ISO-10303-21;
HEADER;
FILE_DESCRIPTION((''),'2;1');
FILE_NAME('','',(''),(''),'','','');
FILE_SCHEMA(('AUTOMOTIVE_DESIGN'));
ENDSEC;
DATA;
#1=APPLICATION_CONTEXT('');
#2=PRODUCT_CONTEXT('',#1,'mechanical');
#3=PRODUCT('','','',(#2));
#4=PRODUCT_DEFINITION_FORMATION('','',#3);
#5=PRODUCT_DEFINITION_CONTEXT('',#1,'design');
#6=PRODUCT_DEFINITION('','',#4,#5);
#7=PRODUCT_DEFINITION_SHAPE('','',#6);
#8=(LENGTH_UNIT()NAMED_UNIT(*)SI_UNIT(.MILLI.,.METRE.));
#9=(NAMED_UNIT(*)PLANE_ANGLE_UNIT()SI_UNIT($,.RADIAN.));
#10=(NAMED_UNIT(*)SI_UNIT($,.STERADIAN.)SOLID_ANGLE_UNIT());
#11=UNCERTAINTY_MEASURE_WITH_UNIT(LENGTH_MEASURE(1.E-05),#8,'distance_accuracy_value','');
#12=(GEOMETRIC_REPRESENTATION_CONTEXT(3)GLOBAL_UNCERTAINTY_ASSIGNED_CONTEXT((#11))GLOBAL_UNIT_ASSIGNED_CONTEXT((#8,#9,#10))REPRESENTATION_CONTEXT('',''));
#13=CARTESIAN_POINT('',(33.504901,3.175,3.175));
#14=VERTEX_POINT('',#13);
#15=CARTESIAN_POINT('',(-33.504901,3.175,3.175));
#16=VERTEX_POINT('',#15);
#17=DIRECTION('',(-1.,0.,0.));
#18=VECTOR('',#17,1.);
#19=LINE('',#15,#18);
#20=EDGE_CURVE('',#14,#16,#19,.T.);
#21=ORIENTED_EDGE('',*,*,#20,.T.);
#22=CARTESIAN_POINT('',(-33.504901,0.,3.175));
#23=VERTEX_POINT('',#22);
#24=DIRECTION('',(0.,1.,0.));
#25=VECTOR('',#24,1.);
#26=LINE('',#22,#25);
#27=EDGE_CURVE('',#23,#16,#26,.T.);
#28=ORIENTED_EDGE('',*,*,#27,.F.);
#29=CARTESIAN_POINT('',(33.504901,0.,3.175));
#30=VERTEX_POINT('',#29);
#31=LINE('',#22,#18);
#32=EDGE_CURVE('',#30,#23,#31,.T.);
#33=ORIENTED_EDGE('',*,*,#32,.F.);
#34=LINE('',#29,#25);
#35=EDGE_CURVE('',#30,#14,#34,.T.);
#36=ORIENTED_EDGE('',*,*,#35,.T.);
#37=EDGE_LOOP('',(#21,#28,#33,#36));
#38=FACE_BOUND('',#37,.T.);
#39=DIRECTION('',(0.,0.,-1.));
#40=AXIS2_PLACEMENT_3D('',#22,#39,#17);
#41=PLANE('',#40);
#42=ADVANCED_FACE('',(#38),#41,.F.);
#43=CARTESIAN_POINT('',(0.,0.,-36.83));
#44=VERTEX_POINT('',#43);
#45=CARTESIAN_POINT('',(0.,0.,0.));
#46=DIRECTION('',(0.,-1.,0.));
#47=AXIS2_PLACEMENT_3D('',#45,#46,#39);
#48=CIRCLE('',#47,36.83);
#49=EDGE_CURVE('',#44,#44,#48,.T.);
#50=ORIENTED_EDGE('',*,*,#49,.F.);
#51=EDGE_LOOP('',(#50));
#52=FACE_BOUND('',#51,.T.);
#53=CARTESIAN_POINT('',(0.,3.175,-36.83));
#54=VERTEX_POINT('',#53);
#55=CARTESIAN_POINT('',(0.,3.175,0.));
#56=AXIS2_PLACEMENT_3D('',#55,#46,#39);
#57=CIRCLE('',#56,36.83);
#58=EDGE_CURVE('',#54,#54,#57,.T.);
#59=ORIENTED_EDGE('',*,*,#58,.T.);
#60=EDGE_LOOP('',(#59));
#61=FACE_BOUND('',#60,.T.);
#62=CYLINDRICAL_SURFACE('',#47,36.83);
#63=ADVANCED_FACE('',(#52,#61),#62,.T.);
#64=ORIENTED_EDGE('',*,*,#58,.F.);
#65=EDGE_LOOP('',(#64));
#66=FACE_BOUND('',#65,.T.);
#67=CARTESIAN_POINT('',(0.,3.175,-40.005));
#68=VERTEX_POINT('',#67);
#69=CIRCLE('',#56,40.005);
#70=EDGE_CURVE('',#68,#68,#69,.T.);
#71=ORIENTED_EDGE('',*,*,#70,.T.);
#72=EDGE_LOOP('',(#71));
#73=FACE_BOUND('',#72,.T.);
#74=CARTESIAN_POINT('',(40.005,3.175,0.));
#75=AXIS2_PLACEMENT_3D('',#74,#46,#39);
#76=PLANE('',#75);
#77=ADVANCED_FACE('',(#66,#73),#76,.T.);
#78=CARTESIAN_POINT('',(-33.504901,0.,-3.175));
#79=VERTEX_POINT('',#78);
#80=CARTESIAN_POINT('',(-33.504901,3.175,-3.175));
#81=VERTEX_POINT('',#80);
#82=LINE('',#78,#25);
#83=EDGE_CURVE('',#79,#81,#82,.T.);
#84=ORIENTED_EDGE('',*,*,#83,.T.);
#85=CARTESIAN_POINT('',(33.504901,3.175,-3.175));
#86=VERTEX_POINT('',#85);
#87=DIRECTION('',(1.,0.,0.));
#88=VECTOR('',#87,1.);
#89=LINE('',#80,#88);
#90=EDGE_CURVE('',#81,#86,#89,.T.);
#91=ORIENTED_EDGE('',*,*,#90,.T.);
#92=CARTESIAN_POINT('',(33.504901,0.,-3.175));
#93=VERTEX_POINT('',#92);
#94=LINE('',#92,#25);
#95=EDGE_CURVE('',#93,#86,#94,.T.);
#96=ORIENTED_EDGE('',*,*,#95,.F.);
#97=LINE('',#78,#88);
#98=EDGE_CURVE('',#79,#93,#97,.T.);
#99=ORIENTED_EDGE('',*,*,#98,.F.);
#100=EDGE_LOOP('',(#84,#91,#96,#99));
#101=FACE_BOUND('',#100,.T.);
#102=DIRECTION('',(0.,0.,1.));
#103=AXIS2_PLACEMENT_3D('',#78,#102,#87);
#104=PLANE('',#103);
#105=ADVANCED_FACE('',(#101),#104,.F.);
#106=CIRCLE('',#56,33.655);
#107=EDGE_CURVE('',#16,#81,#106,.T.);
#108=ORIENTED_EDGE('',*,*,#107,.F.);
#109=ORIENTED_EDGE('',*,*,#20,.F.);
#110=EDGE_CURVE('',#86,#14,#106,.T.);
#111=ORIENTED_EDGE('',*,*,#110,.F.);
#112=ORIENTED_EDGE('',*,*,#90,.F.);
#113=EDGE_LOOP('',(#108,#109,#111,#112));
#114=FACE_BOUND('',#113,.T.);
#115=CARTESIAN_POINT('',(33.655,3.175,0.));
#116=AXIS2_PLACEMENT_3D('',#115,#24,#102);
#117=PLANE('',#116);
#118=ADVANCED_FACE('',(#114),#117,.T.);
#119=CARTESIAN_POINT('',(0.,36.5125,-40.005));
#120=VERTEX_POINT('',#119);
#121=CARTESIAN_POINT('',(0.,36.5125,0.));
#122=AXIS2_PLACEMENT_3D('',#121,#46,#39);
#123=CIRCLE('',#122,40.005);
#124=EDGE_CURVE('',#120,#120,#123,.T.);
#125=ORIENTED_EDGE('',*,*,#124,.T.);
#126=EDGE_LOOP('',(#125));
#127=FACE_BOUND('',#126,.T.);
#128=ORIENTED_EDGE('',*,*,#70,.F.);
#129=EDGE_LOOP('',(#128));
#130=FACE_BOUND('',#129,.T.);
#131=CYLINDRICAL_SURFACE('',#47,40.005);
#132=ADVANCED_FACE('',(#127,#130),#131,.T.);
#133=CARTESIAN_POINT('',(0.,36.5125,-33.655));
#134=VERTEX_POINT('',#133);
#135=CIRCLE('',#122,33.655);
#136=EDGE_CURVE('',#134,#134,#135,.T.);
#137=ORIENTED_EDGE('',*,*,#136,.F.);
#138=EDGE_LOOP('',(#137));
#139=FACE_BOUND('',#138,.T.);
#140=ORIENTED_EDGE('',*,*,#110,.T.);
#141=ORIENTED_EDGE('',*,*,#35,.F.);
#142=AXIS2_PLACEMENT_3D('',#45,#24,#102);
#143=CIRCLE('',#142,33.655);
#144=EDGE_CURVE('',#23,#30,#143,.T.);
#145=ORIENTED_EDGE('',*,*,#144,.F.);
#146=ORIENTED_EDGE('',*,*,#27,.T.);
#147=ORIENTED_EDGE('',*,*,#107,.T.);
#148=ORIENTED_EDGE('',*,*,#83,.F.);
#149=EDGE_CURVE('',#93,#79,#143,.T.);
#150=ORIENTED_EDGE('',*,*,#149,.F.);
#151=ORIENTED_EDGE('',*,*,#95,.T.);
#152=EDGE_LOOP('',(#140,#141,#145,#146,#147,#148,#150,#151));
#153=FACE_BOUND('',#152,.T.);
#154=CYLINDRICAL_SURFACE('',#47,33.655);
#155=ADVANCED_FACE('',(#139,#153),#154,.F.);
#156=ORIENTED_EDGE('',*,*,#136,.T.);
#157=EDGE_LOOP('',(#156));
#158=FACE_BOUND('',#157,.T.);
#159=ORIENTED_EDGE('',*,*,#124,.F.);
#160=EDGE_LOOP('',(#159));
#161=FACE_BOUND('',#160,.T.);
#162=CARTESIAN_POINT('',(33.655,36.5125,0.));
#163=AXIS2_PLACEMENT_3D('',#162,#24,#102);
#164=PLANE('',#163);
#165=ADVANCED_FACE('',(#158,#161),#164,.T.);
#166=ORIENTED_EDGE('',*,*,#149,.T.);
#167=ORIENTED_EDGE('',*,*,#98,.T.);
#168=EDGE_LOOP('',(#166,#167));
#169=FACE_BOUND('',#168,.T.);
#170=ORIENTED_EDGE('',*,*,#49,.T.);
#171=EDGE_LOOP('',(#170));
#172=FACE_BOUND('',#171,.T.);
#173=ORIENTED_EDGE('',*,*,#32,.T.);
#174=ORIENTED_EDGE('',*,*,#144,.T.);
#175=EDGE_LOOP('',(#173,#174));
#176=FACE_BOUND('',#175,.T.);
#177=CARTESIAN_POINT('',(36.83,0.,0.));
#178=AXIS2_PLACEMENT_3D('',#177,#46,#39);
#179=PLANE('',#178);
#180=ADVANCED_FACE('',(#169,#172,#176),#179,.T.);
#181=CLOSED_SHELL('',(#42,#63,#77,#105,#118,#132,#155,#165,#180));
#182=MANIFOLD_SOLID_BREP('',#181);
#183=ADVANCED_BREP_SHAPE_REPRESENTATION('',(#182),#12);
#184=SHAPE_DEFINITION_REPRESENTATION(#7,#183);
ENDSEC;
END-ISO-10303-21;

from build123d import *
from build123d.topology import SkipClean

# Parameters (mm, degrees)
CUT_EXTRUDE1_DEPTH = 66.667259393


with BuildPart() as part:
    # Sketch1 → Revolve1 (revolve)
    with BuildSketch(Plane.XY, mode=Mode.PRIVATE) as revolve1_sk:
        Polygon((33.655, 36.5125), (40.005, 36.5125), (40.005, 3.175), (36.83, 3.175), (36.83, 0), (33.655, 0), (0, 0), (0, 3.175), (33.655, 3.175), align=None)
    revolve(revolve1_sk.sketch.rotate(Axis((0, 0, 0), (0, 1, 0)), 90), axis=Axis((0, 0, 0), (0, 1, 0)))

    # Sketch2 → Cut-Extrude1 (cut, through all)
    with SkipClean():  # the faces are left unmerged after this step: merging them gives an invalid solid
        with BuildSketch(Plane(origin=(0, 3.175, 0), x_dir=(1, 0, 0), z_dir=(0, 1, 0))):
            with BuildLine():
                Line((-33.504901134, 3.175), (33.504901134, 3.175))
                ThreePointArc((33.504901134, 3.175), (0, 33.655), (-33.504901134, 3.175))
            make_face()
            with BuildLine():
                Line((-33.504901134, -3.175), (33.504901134, -3.175))
                ThreePointArc((33.504901134, -3.175), (0, -33.655), (-33.504901134, -3.175))
            make_face()
        extrude(amount=-CUT_EXTRUDE1_DEPTH, mode=Mode.SUBTRACT)


solid = part.part
